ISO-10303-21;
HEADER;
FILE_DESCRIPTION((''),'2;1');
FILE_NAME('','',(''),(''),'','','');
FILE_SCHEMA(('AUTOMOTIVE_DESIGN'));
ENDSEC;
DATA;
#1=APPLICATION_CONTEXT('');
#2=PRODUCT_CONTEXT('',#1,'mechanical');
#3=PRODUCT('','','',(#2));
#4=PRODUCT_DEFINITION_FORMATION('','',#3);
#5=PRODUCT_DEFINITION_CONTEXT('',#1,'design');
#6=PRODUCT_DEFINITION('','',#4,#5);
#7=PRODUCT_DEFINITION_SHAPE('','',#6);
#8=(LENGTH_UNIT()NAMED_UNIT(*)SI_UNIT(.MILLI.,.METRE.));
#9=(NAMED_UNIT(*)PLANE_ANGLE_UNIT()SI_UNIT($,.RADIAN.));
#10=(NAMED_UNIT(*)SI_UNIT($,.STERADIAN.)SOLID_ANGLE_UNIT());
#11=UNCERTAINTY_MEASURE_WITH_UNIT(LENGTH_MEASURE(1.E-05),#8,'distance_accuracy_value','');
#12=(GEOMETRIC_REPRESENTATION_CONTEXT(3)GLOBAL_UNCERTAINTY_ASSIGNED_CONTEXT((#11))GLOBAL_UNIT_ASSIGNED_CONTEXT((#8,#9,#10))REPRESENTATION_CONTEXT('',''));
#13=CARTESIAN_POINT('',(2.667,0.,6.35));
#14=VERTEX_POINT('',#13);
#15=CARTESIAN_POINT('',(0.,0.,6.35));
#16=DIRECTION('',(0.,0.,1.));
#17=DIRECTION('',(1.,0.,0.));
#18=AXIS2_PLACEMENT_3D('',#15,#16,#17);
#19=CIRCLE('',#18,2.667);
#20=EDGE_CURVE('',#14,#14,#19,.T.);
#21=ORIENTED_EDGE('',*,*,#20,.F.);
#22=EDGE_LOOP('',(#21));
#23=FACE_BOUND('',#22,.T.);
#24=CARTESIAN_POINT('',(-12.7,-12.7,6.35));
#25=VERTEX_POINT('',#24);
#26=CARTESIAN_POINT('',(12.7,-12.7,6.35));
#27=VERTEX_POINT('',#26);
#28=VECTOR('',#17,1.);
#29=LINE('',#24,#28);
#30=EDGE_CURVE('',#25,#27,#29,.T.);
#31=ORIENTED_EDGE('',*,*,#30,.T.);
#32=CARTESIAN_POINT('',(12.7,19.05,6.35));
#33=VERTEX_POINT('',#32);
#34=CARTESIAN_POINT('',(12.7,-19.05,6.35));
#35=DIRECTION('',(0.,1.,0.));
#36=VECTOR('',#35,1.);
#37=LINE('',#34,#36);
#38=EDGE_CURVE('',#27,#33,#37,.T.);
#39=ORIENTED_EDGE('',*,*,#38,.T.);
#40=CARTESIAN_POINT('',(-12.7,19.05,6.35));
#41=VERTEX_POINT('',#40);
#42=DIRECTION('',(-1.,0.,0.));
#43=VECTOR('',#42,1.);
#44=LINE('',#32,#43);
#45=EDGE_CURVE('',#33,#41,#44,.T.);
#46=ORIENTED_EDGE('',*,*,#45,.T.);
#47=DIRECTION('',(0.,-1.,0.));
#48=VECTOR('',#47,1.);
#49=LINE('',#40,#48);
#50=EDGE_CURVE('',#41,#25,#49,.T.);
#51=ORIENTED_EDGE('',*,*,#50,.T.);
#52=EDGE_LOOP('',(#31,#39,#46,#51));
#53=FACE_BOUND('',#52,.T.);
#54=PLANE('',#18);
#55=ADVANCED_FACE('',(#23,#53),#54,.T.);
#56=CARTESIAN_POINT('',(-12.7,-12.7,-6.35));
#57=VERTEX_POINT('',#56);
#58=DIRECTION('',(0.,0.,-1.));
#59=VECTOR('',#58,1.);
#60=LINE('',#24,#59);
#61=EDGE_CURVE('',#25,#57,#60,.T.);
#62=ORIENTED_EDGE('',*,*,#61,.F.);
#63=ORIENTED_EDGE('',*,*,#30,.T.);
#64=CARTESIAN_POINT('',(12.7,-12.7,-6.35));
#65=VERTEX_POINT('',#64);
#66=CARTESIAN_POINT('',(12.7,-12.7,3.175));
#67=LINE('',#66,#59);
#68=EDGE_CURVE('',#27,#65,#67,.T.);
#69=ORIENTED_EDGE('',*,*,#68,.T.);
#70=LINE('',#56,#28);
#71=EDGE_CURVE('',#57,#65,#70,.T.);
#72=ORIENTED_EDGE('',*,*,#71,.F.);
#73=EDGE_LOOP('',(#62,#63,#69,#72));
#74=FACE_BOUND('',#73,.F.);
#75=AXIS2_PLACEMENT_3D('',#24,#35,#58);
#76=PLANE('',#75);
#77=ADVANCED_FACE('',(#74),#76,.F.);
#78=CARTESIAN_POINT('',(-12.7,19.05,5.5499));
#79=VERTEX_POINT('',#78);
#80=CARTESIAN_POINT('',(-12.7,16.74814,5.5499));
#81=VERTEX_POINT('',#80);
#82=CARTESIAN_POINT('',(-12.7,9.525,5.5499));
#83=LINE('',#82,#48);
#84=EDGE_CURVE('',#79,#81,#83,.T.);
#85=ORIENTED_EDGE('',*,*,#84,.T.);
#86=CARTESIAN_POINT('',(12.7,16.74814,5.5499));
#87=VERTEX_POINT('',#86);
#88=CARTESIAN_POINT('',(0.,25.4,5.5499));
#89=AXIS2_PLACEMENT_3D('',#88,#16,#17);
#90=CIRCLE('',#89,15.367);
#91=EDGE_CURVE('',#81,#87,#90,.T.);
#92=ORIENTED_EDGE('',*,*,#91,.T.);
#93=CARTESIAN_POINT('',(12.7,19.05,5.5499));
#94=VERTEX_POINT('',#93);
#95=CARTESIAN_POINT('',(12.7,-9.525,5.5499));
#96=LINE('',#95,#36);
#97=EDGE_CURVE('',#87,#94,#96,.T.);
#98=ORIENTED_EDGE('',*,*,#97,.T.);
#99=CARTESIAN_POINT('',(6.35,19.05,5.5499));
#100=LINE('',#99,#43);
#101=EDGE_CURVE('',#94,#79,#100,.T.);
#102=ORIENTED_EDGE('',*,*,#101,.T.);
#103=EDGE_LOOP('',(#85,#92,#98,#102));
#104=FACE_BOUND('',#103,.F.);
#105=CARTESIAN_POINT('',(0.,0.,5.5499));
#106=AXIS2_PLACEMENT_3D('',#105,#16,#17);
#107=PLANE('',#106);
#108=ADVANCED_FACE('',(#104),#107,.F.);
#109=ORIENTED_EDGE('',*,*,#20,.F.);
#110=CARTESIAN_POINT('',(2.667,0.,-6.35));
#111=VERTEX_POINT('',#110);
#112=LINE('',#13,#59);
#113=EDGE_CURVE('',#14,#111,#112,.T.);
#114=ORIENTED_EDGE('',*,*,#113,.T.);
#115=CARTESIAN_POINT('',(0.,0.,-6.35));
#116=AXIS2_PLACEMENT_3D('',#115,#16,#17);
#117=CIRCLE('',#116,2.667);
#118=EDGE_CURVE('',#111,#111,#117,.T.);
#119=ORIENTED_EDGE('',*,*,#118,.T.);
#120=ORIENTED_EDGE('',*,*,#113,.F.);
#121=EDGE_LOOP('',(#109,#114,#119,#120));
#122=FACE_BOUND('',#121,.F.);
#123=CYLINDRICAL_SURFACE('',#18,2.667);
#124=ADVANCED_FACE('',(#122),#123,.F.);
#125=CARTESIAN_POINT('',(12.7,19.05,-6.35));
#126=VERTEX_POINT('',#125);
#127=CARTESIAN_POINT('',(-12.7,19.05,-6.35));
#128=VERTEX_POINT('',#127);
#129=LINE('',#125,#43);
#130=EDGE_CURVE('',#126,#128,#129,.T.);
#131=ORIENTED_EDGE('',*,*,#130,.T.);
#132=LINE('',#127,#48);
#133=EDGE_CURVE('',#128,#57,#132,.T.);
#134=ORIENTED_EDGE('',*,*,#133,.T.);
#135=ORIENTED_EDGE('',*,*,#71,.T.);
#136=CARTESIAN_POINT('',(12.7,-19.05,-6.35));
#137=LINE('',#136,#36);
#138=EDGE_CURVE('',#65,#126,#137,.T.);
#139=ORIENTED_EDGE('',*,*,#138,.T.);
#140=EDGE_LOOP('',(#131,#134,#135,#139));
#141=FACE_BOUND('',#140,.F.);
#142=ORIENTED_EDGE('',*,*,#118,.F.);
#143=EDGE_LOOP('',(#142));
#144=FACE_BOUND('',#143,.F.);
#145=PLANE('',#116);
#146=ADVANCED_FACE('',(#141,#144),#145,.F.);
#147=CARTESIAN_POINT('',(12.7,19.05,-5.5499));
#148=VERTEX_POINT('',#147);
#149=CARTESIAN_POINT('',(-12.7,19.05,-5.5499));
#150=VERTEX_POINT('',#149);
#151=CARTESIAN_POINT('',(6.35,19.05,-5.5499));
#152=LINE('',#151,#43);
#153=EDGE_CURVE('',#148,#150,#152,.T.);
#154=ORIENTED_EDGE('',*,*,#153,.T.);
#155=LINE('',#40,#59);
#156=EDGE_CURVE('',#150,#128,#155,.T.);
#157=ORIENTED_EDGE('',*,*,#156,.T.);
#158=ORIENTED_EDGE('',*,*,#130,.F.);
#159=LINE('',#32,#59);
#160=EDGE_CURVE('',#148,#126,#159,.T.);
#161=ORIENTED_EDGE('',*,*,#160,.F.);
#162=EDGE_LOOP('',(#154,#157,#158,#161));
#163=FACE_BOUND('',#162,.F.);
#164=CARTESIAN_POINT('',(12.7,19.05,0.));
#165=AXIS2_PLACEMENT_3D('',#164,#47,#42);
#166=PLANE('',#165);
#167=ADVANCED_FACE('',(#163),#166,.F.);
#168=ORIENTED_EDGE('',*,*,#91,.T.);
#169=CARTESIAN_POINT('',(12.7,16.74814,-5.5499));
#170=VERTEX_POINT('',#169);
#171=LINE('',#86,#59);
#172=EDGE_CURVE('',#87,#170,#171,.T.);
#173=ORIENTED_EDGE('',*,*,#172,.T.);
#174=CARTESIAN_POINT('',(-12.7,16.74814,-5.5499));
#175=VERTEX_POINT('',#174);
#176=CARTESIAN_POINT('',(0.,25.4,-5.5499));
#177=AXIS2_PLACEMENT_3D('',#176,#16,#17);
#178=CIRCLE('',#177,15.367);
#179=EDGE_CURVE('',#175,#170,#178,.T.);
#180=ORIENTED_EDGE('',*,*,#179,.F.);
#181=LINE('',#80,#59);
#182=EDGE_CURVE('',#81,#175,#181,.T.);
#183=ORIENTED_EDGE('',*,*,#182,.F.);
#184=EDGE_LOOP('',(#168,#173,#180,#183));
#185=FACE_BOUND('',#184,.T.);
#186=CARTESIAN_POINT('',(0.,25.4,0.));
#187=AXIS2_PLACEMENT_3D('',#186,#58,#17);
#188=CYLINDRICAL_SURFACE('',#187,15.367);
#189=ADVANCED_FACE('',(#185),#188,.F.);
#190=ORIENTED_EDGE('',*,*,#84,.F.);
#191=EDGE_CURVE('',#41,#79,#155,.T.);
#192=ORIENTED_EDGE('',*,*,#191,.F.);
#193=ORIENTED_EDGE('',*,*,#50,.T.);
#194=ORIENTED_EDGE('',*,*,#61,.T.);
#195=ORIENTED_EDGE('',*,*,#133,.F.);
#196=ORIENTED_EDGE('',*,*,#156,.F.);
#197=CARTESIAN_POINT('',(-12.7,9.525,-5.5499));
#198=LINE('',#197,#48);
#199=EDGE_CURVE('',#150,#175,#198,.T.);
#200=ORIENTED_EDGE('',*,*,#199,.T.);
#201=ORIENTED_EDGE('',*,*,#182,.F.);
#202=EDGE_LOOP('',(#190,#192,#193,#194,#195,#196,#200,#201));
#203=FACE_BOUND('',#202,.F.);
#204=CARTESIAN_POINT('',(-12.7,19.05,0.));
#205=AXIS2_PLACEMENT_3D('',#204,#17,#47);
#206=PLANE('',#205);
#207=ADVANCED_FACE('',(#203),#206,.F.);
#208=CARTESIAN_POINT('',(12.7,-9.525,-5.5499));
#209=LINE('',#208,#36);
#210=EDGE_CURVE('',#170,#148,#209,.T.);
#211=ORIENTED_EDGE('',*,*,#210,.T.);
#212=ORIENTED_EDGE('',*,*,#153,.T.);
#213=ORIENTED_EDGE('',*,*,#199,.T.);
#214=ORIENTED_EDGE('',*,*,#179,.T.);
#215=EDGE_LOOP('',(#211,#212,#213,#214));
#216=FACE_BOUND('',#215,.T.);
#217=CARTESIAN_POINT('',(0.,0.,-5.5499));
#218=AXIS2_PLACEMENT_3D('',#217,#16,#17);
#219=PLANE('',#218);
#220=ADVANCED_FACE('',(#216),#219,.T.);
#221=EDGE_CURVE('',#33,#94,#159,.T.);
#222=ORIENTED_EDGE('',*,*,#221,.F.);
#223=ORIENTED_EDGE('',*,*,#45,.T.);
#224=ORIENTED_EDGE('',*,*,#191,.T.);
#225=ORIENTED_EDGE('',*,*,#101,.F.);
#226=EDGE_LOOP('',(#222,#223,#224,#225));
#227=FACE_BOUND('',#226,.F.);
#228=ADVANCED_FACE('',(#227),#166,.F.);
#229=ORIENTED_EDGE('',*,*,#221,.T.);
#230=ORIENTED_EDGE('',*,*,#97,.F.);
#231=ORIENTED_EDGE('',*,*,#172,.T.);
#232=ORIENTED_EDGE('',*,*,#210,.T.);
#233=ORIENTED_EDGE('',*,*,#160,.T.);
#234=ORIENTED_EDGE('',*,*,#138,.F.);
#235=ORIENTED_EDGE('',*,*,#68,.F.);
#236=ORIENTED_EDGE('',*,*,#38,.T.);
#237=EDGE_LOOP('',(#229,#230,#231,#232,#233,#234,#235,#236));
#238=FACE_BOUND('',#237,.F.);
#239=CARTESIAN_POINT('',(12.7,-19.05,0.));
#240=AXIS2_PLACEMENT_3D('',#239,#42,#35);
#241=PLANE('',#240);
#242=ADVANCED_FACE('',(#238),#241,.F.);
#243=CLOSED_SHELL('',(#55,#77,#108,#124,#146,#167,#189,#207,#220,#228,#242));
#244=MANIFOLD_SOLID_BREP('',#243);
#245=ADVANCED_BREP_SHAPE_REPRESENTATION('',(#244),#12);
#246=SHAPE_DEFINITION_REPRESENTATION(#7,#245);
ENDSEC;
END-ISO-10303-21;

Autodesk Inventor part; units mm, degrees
ref_plane "YZ Plane" through (0, 0, 0) normal (1, 0, 0) x (0, 1, 0)
ref_plane "XZ Plane" through (0, 0, 0) normal (0, 1, 0) x (-1, 0, 0)
ref_plane "XY Plane" through (0, 0, 0) normal (0, 0, 1) x (1, 0, 0)
sketch "Sketch3" plane through (0, 0, 0) normal (0, 0, 1) x (1, 0, 0)
  line L0 (-12.7, -19.05) -> (12.7, -19.05)
  line L1 (12.7, -19.05) -> (12.7, 19.05)
  line L2 (12.7, 19.05) -> (-12.7, 19.05)
  line L3 (-12.7, 19.05) -> (-12.7, -19.05)
  line L4 (-12.7, -19.05) -> (12.7, 19.05) construction
  line L5 (12.7, -19.05) -> (-12.7, 19.05) construction
  point P0 (0, 0)
  dimension "d0" = 25.4
  dimension "d1" = 38.1
extrude "Extrusion1" add sketch "Sketch3" along normal mid plane 12.7
sketch "Sketch4" plane through (0, 0, 6.35) normal (0, 0, 1) x (1, 0, 0)
  circle A0 centre (0, 0) radius 2.667
  dimension "d4" = 5.334
extrude "Extrusion2" cut sketch "Sketch4" against normal through all
sketch "Sketch5" plane through (-12.7, -19.05, 6.35) normal (-1, 0, 0) x (0, 0, 1)
  line L0 (3.175, 6.35) -> (50.8, 6.35) projected
  line L1 (-12.7, 38.1) -> (-12.7, 0) projected
  line L2 (0, 0) -> (0, 38.1) projected
  line L3 (-12.7, 0) -> (0, 0)
  line L4 (0, 0) -> (0, 6.35)
  line L5 (0, 6.35) -> (-12.7, 6.35)
  line L6 (-12.7, 6.35) -> (-12.7, 0)
  point P0 (-6.35, 19.05)
  point P1 (-12.7, 6.35)
  dimension "d9" = 6.35
extrude "Extrusion3" cut sketch "Sketch5" against normal through all
sketch "Sketch6" plane through (0, 0, 0) normal (0, 0, 1) x (1, 0, 0)
  circle A0 centre (0, 25.4) radius 15.367
  point P0 (0, 0)
  dimension "d10" = 25.4
  dimension "d13" = 30.734
extrude "Extrusion4" cut sketch "Sketch6" along normal mid plane 11.0998
properties part number "preventWireJumping" material "PBT Plastic"
